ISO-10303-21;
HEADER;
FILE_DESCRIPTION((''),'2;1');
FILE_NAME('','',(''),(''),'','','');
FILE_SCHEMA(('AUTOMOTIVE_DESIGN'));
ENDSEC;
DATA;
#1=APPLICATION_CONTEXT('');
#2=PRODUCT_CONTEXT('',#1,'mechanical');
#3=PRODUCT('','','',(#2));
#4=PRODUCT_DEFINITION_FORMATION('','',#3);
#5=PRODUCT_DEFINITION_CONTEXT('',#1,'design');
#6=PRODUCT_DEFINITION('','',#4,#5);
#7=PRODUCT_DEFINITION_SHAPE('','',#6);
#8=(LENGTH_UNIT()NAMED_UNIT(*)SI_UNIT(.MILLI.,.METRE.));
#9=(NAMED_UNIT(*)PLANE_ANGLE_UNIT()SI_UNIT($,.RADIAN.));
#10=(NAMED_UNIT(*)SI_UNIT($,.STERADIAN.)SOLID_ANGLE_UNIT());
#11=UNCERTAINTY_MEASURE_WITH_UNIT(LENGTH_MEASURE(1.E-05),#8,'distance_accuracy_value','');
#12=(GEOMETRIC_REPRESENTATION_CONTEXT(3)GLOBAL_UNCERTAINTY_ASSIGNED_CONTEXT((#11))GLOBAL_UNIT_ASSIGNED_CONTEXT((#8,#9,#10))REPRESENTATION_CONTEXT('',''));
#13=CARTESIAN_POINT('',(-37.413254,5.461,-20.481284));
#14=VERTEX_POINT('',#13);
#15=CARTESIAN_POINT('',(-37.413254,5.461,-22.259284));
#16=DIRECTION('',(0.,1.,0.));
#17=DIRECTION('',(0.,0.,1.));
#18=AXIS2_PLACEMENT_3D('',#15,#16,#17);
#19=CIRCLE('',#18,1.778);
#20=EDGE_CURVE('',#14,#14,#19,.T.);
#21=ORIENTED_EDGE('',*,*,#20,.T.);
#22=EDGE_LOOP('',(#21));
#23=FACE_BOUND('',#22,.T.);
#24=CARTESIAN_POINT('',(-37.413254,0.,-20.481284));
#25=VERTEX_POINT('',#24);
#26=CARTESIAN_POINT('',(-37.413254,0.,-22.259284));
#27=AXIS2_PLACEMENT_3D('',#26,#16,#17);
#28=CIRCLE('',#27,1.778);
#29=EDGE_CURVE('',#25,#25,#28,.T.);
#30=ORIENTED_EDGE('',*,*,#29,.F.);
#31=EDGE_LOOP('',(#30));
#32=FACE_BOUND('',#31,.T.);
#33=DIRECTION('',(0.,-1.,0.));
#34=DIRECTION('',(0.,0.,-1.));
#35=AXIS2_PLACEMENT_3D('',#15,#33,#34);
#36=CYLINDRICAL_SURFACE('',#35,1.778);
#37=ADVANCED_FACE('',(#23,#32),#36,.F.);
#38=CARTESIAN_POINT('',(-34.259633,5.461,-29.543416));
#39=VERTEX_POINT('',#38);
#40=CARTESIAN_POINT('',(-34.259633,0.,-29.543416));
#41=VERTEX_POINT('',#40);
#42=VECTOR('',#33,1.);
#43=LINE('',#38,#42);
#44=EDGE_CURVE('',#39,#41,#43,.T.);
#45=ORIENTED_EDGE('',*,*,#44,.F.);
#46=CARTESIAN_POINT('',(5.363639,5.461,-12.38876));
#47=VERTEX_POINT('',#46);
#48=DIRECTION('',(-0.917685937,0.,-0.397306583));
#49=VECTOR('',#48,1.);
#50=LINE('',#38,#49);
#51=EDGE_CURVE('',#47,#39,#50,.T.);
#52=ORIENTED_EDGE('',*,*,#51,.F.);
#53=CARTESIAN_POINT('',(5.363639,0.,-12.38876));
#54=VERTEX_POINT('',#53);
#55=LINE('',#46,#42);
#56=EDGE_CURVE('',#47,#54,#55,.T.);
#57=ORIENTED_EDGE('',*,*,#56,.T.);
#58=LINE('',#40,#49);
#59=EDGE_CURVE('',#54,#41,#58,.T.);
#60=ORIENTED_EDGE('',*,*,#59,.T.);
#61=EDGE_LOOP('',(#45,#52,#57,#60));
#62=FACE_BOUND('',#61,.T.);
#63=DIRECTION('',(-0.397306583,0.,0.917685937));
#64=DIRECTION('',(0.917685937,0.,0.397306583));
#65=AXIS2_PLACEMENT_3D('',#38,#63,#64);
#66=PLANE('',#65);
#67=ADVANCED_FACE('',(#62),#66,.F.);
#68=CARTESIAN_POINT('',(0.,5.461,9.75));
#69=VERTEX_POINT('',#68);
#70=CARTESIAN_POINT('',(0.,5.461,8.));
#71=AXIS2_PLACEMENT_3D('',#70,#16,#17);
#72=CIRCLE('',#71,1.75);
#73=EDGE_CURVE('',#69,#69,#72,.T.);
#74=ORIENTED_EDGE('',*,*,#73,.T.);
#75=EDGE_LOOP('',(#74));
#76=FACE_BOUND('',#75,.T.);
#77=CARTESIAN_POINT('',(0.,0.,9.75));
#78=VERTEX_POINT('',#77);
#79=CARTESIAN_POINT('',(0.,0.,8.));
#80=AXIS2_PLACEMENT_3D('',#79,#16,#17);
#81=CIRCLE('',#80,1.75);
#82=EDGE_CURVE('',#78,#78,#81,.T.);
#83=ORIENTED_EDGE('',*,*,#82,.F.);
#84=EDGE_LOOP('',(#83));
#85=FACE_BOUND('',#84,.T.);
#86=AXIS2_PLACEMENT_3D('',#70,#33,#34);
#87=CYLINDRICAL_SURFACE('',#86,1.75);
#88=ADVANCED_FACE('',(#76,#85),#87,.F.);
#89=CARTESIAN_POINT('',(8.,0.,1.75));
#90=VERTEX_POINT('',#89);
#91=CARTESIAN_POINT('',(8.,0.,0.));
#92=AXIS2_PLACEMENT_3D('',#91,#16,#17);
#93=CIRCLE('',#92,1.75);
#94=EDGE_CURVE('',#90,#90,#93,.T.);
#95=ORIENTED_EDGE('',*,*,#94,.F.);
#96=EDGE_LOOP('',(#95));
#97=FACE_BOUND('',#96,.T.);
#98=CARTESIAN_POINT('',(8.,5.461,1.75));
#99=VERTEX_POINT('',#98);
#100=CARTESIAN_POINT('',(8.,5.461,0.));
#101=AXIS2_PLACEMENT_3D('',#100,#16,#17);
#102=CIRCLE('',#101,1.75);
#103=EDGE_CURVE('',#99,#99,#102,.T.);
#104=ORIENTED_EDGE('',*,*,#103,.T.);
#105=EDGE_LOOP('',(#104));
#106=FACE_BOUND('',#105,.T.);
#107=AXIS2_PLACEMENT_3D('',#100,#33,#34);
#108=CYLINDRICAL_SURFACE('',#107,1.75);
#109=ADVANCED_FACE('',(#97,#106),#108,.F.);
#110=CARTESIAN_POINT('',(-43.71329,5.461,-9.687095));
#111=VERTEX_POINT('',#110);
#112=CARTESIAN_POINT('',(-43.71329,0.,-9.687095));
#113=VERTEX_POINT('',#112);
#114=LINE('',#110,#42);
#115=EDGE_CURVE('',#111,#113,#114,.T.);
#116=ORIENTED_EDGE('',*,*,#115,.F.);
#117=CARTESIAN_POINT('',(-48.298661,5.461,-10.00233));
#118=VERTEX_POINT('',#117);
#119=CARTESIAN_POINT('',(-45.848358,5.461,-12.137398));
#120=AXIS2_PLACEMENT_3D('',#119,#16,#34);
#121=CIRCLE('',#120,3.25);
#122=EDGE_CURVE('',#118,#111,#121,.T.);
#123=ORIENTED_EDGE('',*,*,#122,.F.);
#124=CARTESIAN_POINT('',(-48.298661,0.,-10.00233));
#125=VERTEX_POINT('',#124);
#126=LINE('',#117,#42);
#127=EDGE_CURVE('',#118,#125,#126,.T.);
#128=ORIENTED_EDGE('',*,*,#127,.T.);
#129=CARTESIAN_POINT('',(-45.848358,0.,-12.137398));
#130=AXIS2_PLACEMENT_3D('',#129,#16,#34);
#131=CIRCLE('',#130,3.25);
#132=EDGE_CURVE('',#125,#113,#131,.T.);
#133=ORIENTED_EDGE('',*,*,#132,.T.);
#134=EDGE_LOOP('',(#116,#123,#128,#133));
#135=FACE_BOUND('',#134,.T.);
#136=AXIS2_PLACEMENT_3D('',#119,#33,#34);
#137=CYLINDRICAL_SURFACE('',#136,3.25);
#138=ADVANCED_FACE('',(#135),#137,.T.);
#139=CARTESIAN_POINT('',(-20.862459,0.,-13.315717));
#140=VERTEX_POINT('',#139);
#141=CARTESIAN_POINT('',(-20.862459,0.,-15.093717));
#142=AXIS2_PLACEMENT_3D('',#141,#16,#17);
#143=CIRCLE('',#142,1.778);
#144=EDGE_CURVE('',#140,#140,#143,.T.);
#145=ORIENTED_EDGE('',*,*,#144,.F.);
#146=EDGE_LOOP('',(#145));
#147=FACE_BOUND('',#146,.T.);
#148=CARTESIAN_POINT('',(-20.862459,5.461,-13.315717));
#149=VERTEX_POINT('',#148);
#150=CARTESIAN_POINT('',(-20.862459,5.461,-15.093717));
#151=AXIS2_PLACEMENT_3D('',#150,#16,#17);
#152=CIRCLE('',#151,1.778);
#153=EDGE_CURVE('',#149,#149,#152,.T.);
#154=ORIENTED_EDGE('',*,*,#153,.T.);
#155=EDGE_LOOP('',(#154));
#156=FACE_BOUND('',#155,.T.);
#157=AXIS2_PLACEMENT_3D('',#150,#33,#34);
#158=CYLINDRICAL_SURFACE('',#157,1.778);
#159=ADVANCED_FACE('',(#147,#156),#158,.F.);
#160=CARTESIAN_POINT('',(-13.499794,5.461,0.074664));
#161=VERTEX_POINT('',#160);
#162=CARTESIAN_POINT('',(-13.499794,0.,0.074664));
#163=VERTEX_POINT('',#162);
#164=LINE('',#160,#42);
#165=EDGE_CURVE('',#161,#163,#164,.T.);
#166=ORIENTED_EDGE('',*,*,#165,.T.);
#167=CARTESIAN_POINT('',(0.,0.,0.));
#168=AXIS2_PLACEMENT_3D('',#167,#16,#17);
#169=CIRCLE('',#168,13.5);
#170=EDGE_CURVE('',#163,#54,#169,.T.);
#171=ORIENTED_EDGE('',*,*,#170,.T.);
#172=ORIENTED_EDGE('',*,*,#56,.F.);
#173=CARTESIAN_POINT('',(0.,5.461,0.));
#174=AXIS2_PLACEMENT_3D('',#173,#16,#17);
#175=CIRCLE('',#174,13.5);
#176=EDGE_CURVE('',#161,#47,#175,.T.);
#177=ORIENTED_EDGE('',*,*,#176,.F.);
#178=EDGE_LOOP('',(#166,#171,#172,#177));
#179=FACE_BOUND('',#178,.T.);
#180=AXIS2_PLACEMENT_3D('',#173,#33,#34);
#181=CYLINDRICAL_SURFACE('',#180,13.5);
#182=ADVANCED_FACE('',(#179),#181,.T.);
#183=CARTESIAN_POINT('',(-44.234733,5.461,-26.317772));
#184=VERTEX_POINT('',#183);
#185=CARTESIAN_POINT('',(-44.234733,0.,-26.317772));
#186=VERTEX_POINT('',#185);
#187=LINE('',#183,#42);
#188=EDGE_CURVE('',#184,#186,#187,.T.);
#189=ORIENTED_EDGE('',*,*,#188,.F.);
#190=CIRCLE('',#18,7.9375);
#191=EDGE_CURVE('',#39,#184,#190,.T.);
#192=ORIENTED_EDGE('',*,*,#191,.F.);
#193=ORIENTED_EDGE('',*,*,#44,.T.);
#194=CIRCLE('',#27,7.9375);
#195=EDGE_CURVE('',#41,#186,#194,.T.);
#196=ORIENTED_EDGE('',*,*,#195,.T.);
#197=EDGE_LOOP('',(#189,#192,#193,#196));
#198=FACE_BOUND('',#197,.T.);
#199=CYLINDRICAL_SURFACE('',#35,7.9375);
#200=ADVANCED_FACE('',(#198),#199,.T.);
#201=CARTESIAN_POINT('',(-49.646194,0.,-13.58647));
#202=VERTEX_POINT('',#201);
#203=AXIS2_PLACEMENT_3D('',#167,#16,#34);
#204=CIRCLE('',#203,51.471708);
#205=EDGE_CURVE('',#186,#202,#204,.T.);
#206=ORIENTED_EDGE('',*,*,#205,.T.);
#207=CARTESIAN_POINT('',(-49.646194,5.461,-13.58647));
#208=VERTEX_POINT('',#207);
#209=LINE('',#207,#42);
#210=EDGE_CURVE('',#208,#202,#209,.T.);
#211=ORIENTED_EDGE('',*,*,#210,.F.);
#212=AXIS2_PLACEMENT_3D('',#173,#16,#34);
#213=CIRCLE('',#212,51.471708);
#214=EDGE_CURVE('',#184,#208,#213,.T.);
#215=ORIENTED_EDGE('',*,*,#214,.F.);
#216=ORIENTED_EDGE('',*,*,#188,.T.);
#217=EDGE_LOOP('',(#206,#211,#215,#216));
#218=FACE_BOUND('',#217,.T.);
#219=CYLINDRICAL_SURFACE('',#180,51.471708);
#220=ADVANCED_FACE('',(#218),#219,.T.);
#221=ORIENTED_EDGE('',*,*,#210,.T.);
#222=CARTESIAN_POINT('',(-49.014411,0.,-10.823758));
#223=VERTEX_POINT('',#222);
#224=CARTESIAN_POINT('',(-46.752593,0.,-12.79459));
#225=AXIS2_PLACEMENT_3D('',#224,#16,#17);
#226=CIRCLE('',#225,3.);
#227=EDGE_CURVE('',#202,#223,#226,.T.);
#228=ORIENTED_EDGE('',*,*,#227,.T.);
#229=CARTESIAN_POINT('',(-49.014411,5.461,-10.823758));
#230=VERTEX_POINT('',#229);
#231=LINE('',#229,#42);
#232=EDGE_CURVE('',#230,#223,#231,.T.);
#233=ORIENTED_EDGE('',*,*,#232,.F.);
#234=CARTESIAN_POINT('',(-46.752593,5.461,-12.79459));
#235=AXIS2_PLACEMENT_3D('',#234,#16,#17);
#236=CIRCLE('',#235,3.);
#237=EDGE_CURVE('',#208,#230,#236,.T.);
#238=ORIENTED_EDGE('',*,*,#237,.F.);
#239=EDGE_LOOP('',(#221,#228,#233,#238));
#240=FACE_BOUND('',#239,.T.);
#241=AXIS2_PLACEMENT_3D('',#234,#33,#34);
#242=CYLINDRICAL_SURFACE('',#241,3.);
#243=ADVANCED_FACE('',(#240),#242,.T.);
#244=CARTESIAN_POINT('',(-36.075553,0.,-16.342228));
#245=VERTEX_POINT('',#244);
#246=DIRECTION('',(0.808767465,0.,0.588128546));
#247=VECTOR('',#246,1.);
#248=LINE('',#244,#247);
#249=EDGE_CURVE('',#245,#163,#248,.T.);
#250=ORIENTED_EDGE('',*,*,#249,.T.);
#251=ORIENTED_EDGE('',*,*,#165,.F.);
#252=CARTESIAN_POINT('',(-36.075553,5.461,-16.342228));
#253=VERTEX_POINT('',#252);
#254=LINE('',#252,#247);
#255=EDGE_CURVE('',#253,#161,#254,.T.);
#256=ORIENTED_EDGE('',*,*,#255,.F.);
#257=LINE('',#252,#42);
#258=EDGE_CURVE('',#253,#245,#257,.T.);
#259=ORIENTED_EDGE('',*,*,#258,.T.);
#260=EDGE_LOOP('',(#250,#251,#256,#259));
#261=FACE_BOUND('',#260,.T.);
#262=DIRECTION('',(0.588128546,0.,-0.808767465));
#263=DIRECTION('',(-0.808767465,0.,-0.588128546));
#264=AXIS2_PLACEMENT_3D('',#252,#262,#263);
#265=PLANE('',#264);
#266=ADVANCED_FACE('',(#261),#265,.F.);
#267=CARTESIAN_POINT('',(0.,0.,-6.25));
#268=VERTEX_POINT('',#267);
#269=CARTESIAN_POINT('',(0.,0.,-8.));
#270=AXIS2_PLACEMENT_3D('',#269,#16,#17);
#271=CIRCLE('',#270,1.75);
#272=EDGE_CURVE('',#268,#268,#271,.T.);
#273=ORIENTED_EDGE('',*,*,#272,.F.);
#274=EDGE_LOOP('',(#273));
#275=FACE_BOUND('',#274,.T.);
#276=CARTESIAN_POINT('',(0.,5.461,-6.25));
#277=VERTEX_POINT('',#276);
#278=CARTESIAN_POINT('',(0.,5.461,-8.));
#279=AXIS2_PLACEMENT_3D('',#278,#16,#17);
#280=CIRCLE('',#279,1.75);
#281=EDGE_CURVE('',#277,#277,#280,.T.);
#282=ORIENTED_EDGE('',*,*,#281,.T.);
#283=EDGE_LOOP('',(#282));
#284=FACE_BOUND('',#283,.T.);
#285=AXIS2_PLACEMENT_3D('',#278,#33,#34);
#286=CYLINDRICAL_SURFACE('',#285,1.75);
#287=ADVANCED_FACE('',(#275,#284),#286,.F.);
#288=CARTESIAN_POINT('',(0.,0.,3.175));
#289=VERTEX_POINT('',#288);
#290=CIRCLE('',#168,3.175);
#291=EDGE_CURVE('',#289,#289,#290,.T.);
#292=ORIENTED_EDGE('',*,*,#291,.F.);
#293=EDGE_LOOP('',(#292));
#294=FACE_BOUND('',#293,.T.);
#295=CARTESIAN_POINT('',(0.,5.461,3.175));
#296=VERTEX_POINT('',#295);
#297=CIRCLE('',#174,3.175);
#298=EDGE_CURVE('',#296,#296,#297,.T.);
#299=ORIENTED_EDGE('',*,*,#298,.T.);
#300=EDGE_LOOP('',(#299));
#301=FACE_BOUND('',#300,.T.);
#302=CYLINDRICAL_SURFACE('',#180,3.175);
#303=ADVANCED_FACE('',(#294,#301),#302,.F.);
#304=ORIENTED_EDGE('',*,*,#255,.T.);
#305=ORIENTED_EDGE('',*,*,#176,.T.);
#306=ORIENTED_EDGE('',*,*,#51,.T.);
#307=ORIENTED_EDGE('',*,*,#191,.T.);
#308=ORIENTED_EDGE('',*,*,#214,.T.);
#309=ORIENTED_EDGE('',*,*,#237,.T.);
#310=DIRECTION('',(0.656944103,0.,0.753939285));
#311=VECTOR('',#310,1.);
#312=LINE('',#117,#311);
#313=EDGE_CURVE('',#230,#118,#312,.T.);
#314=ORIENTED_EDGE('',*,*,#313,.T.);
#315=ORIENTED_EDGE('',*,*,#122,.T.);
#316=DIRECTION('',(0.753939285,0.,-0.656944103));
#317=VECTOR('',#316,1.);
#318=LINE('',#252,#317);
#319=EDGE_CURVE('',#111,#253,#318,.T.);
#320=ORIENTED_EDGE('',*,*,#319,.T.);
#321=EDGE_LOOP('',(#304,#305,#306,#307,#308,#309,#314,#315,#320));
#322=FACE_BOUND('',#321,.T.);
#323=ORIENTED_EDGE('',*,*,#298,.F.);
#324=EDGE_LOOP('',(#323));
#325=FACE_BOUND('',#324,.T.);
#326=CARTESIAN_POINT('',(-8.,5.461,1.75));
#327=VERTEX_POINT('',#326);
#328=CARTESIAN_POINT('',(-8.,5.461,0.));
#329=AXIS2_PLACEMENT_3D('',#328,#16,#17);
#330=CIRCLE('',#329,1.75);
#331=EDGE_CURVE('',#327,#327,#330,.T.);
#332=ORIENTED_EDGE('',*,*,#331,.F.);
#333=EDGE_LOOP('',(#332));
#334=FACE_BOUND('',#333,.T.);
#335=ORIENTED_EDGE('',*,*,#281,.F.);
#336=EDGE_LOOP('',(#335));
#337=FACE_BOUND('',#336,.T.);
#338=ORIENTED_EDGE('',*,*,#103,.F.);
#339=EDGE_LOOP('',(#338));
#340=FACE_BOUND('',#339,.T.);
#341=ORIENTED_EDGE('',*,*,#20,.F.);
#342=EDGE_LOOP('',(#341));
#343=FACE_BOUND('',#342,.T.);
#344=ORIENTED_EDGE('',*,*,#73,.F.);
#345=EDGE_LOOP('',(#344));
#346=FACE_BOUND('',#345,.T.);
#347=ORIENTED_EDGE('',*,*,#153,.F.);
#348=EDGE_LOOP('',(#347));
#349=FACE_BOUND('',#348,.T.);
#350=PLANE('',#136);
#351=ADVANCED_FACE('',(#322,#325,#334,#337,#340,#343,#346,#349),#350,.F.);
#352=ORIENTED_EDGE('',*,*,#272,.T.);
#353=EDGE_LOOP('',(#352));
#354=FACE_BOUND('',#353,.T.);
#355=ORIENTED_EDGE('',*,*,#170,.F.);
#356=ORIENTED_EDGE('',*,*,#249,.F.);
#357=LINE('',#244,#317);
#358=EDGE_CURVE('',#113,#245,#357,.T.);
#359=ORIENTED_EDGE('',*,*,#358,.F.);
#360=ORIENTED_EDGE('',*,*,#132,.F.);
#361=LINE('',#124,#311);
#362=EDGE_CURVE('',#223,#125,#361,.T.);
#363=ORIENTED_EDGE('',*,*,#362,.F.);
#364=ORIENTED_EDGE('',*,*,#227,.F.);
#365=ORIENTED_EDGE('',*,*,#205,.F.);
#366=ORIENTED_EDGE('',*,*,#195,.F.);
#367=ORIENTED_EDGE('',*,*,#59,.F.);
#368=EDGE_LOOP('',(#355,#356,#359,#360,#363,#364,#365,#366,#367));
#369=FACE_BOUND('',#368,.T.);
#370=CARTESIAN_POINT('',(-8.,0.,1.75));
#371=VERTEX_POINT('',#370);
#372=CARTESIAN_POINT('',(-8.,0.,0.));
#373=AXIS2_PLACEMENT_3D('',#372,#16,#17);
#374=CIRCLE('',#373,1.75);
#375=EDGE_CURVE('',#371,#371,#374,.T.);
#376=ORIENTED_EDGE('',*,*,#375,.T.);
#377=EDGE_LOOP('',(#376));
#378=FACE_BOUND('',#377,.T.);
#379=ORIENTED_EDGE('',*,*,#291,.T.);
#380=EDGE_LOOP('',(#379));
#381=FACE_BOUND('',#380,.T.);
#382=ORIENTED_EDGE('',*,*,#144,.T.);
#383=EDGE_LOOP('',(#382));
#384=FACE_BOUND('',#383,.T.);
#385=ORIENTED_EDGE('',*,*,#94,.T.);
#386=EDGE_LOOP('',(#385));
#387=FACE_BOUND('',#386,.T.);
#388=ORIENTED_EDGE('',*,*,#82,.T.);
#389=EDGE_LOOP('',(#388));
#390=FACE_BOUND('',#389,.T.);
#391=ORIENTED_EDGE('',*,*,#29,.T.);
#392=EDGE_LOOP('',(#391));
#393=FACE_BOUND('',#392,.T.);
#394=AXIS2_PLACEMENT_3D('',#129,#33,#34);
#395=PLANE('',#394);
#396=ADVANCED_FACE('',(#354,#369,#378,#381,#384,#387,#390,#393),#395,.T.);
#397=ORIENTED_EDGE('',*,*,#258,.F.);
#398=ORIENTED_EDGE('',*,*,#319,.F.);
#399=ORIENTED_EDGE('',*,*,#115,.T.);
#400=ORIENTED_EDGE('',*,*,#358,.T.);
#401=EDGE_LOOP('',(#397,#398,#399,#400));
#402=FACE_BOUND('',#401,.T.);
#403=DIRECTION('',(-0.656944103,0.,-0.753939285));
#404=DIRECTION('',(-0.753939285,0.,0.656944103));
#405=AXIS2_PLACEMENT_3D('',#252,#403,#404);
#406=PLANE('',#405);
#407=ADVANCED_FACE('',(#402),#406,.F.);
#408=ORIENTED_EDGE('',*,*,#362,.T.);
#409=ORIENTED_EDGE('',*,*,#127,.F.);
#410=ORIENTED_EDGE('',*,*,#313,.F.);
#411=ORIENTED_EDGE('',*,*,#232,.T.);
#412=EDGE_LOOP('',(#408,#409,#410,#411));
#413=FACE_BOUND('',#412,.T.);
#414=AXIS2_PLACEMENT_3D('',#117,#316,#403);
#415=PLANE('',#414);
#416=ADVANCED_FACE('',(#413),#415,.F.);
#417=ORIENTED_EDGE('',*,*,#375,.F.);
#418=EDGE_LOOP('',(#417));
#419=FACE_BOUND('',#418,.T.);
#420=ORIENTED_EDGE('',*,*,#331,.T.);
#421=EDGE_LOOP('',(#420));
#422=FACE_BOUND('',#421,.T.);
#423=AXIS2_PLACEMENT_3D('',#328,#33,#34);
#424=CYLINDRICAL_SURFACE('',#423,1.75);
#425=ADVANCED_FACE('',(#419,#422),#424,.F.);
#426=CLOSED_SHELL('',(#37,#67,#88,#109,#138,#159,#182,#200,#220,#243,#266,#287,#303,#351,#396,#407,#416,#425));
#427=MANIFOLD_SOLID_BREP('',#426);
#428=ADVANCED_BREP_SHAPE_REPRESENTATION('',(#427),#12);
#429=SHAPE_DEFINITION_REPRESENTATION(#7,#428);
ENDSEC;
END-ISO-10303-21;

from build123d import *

# Parameters (mm, degrees)
SKETCH1_R           = 1.75
SKETCH1_R_2         = 3.175
SKETCH1_R_3         = 1.778
BOSS_EXTRUDE1_DEPTH = 5.461


with BuildPart() as part:
    # Sketch1 → Boss-Extrude1 (new body)
    with BuildSketch(Plane(origin=(0, 0, 0), x_dir=(1, 0, 0), z_dir=(0, 1, 0))):
        with BuildLine():
            Line((-36.075553112, 16.34222836), (-43.713289862, 9.687095487))
            ThreePointArc((-43.713289862, 9.687095487), (-46.071262537, 8.895051227), (-48.298660873, 10.002329828))
            Line((-48.298660873, 10.002329828), (-49.01441114, 10.823757773))
            ThreePointArc((-49.01441114, 10.823757773), (-49.677098428, 12.125807852), (-49.646194202, 13.586469955))
            ThreePointArc((-49.646194202, 13.586469955), (-47.370124011, 20.134748964), (-44.234733225, 26.317772344))
            ThreePointArc((-44.234733225, 26.317772344), (-39.855484626, 29.811728531), (-34.259632886, 29.543416329))
            Line((-34.259632886, 29.543416329), (5.363638877, 12.388760148))
            ThreePointArc((5.363638877, 12.388760148), (7.44200849, -11.263503435), (-13.499793526, -0.074664302))
            Line((-13.499793526, -0.074664302), (-36.075553112, 16.34222836))
        make_face()
        with Locations((8, 0)):
            Circle(SKETCH1_R, mode=Mode.SUBTRACT)
        with Locations((0, -8)):
            Circle(SKETCH1_R, mode=Mode.SUBTRACT)
        with Locations((-8, 0)):
            Circle(SKETCH1_R, mode=Mode.SUBTRACT)
        with Locations((0, 8)):
            Circle(SKETCH1_R, mode=Mode.SUBTRACT)
        Circle(SKETCH1_R_2, mode=Mode.SUBTRACT)
        with Locations((-20.862458922, 15.093717491)):
            Circle(SKETCH1_R_3, mode=Mode.SUBTRACT)
        with Locations((-37.413253893, 22.259284205)):
            Circle(SKETCH1_R_3, mode=Mode.SUBTRACT)
    extrude(amount=BOSS_EXTRUDE1_DEPTH)


solid = part.part
